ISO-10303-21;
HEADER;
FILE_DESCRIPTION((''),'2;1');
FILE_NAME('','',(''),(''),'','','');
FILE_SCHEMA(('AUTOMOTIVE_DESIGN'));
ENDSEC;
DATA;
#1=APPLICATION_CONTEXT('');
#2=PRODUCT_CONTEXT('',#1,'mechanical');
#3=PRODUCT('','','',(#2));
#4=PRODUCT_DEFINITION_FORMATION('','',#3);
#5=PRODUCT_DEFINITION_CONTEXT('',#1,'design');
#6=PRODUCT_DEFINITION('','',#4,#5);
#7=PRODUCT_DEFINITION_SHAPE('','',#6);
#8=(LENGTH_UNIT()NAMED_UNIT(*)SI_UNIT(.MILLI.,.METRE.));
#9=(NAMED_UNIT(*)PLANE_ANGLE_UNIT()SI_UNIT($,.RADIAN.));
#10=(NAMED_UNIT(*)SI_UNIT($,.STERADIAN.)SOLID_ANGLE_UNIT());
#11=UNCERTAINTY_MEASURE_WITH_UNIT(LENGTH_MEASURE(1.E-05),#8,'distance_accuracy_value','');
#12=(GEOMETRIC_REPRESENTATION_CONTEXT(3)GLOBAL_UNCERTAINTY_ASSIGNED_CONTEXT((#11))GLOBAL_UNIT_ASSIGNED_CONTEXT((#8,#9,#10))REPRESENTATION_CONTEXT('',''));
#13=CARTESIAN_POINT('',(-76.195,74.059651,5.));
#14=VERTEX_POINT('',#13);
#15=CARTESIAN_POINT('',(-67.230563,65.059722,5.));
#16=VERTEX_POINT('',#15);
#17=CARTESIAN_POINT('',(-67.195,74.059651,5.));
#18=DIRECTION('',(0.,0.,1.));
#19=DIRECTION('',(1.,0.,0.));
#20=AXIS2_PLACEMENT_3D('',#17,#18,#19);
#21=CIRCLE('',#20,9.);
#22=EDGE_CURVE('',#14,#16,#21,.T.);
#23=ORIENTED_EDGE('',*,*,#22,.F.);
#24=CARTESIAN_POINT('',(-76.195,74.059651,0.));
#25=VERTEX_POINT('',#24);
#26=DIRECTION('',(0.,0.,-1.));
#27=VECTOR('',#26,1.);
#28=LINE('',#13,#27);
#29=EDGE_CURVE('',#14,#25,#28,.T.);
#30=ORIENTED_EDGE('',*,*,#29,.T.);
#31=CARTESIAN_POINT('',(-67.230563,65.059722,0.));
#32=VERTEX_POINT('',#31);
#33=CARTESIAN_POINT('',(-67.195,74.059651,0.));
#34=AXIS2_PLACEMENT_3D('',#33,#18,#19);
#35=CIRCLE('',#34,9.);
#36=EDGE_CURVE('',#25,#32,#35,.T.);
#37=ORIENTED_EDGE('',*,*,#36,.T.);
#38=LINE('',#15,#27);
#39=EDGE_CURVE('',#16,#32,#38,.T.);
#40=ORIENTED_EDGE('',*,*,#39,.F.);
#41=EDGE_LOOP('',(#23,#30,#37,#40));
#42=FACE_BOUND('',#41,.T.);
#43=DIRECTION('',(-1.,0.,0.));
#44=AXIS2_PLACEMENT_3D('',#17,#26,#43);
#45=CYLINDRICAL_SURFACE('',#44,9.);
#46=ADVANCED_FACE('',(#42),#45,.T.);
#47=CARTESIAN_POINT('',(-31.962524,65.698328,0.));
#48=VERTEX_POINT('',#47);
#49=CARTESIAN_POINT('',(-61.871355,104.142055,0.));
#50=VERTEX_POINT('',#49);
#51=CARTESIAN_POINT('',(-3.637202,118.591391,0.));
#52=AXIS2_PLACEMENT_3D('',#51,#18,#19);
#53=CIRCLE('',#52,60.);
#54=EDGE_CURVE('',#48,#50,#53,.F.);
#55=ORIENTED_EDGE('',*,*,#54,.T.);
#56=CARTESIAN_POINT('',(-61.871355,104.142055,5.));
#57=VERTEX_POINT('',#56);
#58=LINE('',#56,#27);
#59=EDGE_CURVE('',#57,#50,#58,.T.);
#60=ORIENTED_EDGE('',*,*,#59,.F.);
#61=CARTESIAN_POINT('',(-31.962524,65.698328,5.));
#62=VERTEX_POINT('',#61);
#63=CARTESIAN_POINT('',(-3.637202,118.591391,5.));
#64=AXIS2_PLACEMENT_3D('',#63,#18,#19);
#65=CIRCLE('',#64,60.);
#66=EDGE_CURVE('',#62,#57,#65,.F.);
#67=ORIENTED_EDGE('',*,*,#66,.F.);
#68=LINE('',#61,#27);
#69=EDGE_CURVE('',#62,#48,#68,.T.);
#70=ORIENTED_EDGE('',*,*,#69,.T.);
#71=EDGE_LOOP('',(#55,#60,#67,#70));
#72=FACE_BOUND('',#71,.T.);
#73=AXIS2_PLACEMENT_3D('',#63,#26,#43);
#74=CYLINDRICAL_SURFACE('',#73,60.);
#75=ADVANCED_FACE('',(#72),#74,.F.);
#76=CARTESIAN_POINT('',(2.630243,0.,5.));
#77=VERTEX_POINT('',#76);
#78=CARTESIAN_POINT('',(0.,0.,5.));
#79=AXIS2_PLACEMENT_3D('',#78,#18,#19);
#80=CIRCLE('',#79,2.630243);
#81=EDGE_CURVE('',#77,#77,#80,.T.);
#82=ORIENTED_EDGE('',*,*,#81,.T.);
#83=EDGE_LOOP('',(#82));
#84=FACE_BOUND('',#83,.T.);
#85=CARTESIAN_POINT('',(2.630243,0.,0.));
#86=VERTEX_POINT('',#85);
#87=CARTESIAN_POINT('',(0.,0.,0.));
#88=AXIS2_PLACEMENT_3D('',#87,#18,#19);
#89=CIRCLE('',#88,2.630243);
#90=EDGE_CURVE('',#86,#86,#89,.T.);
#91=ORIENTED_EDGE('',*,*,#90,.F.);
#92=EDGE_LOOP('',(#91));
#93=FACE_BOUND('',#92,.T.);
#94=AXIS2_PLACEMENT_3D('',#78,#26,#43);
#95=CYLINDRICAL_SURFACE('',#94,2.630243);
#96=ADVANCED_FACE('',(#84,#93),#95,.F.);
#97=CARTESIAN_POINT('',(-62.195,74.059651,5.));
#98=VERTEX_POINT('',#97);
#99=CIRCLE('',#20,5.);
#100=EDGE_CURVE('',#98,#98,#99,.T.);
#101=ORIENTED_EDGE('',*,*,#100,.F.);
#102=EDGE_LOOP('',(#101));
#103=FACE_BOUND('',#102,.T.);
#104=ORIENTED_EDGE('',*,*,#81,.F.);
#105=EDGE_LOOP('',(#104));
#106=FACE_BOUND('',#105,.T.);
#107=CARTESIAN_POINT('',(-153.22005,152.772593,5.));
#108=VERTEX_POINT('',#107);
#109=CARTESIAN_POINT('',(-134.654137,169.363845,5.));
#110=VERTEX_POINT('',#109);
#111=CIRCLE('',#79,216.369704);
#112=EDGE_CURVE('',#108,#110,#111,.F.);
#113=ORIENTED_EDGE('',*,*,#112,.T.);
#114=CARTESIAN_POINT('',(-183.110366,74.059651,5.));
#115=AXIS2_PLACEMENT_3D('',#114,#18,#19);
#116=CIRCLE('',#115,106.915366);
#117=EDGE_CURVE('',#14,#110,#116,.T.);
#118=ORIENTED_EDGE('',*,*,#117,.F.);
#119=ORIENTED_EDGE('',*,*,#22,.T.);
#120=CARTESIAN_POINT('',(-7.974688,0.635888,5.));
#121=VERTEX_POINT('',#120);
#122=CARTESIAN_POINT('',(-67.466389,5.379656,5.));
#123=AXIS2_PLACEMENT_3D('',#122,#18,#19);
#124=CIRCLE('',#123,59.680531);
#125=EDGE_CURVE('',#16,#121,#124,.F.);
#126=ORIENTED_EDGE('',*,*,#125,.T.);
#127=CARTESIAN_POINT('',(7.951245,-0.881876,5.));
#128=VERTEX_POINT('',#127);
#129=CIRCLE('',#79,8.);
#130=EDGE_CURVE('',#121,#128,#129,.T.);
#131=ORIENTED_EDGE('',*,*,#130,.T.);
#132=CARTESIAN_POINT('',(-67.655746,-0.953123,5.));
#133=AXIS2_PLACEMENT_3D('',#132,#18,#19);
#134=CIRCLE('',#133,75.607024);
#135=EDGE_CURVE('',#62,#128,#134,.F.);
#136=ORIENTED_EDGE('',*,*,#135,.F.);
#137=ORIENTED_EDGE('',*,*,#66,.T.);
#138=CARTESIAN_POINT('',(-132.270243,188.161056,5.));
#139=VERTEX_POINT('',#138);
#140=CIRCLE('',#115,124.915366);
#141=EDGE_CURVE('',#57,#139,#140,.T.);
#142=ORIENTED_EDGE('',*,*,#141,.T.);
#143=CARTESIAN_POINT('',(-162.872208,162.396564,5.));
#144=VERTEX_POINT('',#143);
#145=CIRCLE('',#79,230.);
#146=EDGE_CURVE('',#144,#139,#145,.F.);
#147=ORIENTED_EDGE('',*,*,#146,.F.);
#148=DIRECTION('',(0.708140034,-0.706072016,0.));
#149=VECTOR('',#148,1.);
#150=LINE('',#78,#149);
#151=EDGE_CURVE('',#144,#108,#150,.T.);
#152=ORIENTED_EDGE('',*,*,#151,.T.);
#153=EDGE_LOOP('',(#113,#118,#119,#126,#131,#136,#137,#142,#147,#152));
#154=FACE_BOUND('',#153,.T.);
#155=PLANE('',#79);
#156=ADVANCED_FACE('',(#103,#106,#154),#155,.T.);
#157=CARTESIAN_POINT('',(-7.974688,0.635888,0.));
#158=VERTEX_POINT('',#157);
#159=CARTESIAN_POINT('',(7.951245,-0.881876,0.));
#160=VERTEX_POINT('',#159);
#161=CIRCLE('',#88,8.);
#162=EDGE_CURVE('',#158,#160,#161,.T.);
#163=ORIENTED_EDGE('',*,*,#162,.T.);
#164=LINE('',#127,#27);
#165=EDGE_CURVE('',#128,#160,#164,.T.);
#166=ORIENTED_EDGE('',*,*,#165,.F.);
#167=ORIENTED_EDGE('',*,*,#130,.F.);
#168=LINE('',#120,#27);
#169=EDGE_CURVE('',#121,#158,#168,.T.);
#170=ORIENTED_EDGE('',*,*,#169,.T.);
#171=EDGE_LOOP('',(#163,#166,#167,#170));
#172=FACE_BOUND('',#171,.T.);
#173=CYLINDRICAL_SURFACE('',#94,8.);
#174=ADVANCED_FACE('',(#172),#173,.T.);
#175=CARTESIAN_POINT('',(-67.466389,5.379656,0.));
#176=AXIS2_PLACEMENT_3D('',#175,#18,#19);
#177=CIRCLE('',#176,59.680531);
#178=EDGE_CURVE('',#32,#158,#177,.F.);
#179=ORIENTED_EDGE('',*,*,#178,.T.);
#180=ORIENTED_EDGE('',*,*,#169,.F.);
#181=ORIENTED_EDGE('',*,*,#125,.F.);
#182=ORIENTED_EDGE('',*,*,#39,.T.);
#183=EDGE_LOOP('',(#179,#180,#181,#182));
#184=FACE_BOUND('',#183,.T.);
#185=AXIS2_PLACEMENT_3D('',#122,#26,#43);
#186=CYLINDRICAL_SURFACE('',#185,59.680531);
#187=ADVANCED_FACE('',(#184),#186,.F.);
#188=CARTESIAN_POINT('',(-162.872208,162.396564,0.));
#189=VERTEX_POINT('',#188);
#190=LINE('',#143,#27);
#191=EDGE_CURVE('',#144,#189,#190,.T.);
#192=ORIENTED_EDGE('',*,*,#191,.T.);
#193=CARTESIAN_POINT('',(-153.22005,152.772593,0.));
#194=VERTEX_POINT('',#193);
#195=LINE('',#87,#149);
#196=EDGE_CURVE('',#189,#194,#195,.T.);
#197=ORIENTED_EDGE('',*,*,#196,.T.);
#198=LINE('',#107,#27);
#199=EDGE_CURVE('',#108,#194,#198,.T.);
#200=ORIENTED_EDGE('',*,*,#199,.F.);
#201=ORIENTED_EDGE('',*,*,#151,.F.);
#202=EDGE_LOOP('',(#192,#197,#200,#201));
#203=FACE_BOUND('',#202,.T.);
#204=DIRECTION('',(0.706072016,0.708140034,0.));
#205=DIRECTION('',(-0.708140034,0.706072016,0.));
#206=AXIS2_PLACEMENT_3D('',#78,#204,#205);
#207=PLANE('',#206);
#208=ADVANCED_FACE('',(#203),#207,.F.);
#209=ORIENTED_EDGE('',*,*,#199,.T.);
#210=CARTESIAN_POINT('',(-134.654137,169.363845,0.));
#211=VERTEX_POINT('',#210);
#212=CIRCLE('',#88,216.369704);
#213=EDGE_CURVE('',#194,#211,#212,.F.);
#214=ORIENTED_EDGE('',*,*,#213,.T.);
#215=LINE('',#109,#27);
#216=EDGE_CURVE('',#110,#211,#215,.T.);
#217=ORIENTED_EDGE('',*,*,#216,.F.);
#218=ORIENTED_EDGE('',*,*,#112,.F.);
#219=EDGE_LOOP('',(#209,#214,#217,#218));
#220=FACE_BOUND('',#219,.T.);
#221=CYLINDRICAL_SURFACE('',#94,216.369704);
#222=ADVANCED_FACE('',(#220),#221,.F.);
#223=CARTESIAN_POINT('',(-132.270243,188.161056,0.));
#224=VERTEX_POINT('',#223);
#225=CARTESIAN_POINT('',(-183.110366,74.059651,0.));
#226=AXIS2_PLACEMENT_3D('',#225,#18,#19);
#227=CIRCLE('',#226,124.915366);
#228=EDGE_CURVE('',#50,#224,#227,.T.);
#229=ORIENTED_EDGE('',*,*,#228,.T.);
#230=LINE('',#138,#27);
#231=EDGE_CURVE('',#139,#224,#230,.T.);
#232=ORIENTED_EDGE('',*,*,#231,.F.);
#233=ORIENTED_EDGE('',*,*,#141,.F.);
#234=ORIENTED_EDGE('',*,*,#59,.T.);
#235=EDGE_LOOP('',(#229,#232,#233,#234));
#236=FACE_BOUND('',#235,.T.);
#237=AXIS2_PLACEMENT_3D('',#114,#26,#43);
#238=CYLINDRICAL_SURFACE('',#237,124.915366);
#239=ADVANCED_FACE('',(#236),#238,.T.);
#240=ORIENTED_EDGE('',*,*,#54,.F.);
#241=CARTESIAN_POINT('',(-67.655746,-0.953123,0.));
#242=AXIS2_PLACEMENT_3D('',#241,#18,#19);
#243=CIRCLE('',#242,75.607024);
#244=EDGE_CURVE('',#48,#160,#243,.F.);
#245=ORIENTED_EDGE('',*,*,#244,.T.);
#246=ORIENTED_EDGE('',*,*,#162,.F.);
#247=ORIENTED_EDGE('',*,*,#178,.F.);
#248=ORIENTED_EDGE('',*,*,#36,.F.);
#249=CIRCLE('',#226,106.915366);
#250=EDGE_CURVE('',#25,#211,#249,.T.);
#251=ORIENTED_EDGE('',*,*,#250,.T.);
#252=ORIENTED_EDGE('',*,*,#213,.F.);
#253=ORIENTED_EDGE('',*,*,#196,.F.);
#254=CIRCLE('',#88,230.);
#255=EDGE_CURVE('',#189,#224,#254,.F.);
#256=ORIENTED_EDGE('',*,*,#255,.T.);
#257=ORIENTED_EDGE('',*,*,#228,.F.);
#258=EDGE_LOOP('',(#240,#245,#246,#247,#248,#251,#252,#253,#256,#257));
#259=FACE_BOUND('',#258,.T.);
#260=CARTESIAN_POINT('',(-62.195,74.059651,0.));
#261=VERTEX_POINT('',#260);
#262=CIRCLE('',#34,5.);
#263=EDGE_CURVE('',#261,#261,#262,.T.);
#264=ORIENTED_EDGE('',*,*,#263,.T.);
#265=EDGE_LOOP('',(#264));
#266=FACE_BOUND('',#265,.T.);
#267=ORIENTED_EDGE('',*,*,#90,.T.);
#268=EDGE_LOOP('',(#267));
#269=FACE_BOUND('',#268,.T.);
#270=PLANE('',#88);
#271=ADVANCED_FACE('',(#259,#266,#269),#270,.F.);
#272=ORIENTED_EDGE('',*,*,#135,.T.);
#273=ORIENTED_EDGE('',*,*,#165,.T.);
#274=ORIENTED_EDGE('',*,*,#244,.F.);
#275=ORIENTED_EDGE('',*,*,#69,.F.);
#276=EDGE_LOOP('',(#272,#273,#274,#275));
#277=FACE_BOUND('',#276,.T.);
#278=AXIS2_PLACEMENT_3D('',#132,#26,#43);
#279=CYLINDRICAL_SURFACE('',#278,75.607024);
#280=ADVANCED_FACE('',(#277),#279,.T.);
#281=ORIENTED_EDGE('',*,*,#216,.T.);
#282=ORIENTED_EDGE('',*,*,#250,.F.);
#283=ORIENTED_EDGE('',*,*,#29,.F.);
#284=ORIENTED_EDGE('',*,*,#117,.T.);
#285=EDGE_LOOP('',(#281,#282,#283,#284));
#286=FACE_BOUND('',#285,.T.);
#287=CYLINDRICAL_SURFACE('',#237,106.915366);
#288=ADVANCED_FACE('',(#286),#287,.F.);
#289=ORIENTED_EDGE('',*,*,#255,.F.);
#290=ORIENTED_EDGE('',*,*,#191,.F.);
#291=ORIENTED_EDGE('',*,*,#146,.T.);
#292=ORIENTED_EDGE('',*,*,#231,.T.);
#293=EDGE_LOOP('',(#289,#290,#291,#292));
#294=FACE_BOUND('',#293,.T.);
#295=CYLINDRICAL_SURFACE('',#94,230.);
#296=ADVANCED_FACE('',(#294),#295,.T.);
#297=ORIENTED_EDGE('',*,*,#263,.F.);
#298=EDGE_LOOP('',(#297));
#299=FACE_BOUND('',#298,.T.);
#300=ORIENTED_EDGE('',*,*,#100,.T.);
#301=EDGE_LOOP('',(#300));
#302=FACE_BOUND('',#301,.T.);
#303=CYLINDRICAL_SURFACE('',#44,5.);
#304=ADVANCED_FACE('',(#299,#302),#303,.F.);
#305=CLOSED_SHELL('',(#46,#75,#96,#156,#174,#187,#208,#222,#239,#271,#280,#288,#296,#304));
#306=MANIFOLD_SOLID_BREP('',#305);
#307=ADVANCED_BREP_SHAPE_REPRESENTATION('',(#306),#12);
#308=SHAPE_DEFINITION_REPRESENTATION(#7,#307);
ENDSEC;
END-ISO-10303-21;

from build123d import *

# Parameters (mm, degrees)
SKETCH1_R           = 5
SKETCH1_R_2         = 2.630242902
BOSS_EXTRUDE1_DEPTH = 5


with BuildPart() as part:
    # Sketch1 → Boss-Extrude1 (new body)
    with BuildSketch(Plane.XY):
        with BuildLine():
            ThreePointArc((-132.270242639, 188.16105578), (-148.132436646, 175.945392703), (-162.872207874, 162.396563703))
            Line((-162.872207874, 162.396563703), (-153.220049521, 152.772593049))
            ThreePointArc((-153.220049521, 152.772593049), (-144.175949012, 161.335502877), (-134.654137313, 169.363845217))
            ThreePointArc((-134.654137313, 169.363845217), (-91.974174204, 129.962156064), (-76.195, 74.059651464))
            ThreePointArc((-76.195, 74.059651464), (-73.571522122, 67.708276367), (-67.230563194, 65.059721728))
            ThreePointArc((-67.230563194, 65.059721728), (-23.540861603, 45.781560748), (-7.974687844, 0.635888194))
            ThreePointArc((-7.974687844, 0.635888194), (-0.758972679, -7.963916152), (7.951244839, -0.881876127))
            ThreePointArc((7.951244839, -0.881876127), (-2.808500316, 37.921764044), (-31.962523765, 65.698328321))
            ThreePointArc((-31.962523765, 65.698328321), (-50.993465666, 81.748695293), (-61.871355452, 104.142054652))
            ThreePointArc((-61.871355452, 104.142054652), (-87.362753882, 154.285853019), (-132.270242639, 188.16105578))
        make_face()
        with Locations((-67.195, 74.059651464)):
            Circle(SKETCH1_R, mode=Mode.SUBTRACT)
        Circle(SKETCH1_R_2, mode=Mode.SUBTRACT)
    extrude(amount=BOSS_EXTRUDE1_DEPTH)


solid = part.part
